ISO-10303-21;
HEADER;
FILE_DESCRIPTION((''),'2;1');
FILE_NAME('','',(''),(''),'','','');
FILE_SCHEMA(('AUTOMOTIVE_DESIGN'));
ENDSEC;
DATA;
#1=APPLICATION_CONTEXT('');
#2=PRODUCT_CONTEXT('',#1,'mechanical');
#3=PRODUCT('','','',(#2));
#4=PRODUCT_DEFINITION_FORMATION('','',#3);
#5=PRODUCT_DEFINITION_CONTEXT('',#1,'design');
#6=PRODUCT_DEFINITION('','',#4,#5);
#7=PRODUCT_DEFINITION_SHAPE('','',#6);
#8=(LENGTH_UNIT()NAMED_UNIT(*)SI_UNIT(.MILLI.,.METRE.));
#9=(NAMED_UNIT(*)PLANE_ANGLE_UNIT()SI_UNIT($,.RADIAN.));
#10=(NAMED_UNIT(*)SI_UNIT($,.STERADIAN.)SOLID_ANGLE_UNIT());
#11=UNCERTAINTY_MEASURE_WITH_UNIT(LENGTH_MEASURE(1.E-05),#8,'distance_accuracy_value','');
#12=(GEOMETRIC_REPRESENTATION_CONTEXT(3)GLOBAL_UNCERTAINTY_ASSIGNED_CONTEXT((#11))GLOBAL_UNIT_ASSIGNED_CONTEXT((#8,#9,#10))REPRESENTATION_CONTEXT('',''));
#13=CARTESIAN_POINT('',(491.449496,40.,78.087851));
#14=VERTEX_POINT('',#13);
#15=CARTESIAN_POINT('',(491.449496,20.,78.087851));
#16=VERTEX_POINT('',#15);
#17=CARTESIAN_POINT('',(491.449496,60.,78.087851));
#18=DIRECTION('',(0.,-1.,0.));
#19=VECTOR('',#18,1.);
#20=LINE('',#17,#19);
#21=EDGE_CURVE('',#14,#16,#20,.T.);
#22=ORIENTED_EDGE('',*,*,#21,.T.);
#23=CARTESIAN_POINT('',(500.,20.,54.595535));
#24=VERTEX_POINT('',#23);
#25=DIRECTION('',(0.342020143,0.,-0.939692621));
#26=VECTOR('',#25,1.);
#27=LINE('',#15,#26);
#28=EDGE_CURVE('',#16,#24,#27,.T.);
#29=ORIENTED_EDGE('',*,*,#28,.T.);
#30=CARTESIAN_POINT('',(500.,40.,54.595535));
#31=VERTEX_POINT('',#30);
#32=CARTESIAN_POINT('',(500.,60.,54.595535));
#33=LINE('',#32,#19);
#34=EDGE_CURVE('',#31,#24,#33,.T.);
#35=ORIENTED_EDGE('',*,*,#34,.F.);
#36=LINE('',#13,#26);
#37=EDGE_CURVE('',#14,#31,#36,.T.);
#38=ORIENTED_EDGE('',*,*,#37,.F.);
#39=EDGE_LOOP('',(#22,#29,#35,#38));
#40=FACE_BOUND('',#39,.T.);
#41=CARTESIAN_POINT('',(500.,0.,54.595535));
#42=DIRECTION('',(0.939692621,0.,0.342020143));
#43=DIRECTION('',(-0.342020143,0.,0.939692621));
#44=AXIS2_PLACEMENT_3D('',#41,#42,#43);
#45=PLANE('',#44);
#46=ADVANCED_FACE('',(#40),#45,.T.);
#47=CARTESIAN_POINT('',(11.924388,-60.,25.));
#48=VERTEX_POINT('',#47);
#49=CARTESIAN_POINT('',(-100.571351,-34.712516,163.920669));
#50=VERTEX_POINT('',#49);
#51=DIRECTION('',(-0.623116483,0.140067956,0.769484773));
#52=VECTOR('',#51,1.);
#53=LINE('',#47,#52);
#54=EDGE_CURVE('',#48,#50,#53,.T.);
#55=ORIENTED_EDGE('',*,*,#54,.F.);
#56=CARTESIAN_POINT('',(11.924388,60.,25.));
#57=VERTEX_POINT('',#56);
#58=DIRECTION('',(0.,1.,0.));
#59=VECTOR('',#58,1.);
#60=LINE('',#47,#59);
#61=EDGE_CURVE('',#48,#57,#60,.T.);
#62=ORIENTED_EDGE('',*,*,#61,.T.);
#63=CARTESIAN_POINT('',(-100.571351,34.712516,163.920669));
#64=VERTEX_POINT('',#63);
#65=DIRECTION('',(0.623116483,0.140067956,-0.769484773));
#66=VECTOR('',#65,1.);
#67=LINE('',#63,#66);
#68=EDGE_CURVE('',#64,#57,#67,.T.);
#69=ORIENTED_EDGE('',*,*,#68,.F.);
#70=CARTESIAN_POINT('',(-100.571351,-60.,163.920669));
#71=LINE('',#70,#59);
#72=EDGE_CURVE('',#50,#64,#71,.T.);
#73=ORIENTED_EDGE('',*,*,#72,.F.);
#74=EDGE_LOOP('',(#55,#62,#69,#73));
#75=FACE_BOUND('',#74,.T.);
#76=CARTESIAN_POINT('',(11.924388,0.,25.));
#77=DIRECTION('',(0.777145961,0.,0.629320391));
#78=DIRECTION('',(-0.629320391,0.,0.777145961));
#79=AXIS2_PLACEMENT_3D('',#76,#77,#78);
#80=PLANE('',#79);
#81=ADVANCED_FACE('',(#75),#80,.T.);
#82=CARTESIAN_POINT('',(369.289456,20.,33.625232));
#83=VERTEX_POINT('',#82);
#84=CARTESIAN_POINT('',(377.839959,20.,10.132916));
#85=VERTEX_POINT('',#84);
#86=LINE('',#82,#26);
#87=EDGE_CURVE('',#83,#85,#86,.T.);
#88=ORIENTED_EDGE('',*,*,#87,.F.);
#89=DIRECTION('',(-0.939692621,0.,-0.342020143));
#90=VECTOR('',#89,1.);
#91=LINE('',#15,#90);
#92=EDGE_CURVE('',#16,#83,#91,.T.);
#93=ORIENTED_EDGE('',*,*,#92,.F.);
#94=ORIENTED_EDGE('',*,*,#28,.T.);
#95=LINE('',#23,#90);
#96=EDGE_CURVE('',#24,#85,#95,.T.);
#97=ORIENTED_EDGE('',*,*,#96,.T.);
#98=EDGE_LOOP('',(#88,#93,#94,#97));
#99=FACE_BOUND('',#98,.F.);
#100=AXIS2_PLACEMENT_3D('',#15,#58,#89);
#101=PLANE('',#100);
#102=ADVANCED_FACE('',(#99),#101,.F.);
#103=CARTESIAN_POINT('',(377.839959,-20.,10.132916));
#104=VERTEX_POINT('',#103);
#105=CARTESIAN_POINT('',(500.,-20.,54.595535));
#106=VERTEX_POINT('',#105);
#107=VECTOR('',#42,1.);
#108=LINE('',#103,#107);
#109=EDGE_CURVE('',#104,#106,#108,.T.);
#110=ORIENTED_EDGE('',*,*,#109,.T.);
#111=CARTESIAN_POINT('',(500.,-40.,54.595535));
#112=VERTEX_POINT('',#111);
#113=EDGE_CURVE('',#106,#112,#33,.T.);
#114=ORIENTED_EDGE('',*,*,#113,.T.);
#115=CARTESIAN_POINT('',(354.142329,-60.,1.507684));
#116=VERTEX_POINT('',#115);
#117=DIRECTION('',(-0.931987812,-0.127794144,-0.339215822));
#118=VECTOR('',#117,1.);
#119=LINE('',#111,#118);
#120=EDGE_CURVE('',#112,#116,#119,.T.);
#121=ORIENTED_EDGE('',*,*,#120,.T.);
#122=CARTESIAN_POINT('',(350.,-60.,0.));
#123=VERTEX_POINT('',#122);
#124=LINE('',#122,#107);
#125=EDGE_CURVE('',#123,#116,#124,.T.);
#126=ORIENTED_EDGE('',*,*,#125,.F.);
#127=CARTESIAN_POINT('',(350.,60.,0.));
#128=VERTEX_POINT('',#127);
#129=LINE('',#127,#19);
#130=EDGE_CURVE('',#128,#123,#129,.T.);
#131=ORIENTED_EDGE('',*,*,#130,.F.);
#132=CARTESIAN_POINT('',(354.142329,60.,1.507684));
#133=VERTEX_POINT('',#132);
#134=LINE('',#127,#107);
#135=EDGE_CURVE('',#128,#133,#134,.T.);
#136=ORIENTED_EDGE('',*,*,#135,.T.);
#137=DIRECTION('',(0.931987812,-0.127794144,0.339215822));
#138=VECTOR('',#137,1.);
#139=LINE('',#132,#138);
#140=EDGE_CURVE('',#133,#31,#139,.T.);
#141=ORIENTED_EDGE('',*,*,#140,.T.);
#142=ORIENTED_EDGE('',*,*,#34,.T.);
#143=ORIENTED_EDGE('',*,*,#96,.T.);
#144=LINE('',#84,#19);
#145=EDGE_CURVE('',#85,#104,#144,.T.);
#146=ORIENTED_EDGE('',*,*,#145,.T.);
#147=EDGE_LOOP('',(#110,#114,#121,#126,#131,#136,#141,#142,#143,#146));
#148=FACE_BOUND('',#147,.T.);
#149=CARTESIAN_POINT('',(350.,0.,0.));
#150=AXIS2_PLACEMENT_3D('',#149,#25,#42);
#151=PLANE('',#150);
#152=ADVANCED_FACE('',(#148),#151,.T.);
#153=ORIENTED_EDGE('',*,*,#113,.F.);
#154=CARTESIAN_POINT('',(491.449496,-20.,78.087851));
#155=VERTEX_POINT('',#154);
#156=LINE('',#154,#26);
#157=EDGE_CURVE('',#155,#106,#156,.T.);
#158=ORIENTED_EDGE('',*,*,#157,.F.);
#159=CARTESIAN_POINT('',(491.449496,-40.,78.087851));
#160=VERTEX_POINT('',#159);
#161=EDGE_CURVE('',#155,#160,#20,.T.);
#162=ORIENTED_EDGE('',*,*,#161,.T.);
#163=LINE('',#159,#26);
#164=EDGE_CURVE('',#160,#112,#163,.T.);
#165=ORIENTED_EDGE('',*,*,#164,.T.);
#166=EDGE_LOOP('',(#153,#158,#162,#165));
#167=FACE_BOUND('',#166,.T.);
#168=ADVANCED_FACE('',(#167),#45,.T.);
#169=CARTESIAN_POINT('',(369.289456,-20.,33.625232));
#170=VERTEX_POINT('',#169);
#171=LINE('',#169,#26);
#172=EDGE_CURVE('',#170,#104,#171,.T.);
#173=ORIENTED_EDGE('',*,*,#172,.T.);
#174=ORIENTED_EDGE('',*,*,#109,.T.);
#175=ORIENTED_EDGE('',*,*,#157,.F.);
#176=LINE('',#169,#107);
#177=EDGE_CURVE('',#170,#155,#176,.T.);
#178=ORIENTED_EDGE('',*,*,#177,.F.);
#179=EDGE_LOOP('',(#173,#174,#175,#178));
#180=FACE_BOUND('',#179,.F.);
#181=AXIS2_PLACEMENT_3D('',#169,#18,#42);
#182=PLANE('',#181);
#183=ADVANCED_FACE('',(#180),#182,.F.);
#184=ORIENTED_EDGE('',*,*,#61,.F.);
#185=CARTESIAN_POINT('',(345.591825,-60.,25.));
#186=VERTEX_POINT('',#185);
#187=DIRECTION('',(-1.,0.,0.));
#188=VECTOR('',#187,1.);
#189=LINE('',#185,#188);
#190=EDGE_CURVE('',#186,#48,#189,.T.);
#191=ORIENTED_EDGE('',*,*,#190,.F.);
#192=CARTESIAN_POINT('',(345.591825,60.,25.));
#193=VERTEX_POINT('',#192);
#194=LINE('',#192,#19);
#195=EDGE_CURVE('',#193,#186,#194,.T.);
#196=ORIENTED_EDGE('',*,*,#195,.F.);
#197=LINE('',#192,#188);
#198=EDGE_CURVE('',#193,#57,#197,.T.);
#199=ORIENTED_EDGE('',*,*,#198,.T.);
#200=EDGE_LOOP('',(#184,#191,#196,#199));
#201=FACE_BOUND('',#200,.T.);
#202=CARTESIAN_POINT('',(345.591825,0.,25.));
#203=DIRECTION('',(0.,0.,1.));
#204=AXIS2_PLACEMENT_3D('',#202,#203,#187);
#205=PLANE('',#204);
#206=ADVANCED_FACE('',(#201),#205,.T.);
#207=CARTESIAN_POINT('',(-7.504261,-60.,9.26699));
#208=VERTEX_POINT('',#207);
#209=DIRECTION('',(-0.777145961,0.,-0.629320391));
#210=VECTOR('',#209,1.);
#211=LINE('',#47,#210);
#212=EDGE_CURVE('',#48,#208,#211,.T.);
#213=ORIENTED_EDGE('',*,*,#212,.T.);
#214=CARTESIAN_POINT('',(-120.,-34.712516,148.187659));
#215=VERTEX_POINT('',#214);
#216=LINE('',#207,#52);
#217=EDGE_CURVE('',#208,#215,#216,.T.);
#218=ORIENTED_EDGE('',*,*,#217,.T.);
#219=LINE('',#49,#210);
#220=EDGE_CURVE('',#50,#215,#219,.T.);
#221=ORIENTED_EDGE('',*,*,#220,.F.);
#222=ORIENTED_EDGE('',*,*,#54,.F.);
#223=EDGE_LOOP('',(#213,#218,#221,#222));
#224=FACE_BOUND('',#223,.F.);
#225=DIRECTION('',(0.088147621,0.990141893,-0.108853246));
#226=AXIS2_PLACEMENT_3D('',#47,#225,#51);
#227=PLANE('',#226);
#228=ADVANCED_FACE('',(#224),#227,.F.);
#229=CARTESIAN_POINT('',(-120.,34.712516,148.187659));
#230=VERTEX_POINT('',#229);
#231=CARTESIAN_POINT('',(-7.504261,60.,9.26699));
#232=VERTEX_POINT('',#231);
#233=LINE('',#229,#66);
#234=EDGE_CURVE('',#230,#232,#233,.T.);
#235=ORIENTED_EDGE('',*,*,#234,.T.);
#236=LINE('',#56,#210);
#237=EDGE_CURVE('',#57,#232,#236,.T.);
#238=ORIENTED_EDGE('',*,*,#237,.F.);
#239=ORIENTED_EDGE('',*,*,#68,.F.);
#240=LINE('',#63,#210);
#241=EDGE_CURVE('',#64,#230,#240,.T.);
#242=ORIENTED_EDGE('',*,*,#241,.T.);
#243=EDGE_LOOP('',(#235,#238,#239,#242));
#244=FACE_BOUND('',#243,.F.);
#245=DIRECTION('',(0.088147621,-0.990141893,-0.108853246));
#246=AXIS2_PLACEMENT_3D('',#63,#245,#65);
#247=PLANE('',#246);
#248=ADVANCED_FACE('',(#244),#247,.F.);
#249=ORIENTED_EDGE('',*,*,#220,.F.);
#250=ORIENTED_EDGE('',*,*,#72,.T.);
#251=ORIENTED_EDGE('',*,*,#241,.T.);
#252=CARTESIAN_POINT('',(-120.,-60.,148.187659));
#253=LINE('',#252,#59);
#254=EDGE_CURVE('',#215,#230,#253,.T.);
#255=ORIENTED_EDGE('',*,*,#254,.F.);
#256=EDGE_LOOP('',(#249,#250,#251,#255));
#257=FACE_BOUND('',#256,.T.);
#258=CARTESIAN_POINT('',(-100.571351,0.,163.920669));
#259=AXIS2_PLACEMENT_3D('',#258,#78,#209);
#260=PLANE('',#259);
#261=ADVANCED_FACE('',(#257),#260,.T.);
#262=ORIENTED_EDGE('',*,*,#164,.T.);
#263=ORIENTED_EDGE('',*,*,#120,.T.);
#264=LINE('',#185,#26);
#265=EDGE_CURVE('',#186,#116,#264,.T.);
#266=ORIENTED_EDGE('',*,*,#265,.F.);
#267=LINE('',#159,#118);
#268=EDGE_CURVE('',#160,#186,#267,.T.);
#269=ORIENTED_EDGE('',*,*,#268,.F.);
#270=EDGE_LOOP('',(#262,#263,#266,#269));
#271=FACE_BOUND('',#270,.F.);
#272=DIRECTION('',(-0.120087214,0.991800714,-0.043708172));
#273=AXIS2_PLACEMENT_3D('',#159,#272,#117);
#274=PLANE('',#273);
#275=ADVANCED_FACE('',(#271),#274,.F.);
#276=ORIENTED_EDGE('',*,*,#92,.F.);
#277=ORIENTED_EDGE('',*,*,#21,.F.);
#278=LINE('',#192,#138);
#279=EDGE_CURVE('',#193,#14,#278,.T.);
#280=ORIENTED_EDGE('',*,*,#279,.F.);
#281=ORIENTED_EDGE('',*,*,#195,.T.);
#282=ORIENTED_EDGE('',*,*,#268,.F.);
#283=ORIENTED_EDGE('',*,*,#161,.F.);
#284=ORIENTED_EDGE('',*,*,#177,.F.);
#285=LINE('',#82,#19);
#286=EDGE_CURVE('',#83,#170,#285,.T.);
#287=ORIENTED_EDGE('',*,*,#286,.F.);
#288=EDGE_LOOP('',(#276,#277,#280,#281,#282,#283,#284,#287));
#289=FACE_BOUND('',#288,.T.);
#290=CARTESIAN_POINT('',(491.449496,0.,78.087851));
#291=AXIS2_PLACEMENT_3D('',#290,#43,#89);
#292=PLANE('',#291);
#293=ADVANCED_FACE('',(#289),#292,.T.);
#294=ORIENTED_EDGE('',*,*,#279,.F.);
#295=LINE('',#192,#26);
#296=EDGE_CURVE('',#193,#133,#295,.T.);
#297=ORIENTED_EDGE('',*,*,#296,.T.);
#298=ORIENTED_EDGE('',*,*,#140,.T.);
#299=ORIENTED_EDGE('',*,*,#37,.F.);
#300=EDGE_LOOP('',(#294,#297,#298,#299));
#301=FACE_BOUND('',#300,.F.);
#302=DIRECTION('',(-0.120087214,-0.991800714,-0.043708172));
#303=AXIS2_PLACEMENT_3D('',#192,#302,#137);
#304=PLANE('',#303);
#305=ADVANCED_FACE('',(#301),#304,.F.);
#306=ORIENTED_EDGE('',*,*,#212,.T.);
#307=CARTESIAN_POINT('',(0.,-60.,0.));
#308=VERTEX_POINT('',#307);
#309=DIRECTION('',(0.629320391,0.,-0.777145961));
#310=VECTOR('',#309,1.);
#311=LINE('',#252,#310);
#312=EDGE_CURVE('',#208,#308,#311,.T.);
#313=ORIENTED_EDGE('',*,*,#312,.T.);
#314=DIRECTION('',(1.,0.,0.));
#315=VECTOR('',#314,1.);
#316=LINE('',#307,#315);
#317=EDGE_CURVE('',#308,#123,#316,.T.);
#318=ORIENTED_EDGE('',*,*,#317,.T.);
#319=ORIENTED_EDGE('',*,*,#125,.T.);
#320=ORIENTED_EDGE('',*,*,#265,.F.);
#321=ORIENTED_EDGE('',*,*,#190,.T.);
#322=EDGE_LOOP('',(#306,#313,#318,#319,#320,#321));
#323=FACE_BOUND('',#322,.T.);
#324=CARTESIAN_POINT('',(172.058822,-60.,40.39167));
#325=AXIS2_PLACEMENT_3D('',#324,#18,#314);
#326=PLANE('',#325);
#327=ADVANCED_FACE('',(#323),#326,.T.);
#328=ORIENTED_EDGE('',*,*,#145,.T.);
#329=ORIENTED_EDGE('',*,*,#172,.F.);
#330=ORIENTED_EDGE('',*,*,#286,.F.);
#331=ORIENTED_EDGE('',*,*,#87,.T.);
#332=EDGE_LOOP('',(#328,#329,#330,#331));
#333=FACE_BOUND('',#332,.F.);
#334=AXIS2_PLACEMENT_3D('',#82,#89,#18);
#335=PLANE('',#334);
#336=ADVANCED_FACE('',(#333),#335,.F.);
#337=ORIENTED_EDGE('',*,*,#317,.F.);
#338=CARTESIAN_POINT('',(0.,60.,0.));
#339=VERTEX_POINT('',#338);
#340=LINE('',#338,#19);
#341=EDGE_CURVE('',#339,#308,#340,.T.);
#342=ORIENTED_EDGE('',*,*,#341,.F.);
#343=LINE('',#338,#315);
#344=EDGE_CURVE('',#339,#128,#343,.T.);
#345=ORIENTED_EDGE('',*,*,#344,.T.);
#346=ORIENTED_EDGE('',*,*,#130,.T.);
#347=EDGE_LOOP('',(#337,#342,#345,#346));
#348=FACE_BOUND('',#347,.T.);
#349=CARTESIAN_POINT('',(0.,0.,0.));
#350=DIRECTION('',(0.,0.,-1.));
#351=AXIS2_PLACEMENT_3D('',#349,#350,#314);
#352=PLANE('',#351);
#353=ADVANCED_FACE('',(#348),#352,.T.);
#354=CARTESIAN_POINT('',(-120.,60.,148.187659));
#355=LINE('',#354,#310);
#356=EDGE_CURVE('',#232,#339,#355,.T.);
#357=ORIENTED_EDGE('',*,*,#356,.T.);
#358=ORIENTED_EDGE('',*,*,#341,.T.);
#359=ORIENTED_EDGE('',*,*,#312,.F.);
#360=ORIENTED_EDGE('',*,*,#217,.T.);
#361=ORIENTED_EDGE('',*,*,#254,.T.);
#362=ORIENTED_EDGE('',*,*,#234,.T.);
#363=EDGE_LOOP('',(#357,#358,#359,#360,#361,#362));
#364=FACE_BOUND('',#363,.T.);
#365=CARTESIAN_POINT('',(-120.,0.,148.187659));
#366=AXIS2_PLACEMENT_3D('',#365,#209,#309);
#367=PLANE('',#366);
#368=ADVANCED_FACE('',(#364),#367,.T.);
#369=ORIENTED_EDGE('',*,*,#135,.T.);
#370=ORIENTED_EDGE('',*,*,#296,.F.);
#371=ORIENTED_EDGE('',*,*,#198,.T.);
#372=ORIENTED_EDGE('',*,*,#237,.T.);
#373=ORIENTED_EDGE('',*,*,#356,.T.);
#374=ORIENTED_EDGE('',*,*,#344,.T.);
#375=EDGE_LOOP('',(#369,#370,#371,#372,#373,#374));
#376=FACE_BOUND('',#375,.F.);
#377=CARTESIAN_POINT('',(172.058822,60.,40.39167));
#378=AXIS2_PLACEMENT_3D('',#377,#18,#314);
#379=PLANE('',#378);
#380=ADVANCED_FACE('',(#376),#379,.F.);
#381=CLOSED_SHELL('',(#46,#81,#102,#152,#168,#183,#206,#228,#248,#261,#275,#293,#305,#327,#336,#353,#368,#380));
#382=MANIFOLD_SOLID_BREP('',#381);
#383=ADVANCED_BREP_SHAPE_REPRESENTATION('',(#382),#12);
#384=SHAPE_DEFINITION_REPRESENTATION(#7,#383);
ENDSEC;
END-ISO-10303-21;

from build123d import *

# Parameters (mm, degrees)
F1_DEPTH = 60
F3_DEPTH = 25
F5_DEPTH = 25


with BuildPart() as f1:
    # F0 (on Front) → F1 (new body, symmetric)
    with BuildSketch(Plane.XZ):
        Polygon((-120, 148.1876587842), (0, 0), (350, 0), (500, 54.5955351399), (491.4494964169, 78.0878506596), (345.5918254823, 25), (11.9243883175, 25), (-100.5713509636, 163.9206685605), align=None)
    extrude(amount=F1_DEPTH, both=True)

    # F2 (on face) → F3 (cut)
    with BuildSketch(Plane(origin=(19.4286490364, 0, 15.7330097762), x_dir=(0, 1, 0), z_dir=(0.7771459615, 0, 0.629320391))):
        Polygon((-60, 190.6818874879), (-60, 11.9243883175), (-34.7125157714, 190.6818874879), align=None)
        Polygon((34.7125157714, 190.6818874879), (60, 11.9243883175), (60, 190.6818874879), align=None)
    extrude(amount=-F3_DEPTH, mode=Mode.SUBTRACT)

    # F4 (on face) → F5 (cut)
    with BuildSketch(Plane(origin=(32.391718871, 0, -88.9955161755), x_dir=(0.9396926208, 0, 0.3420201433), z_dir=(-0.3420201433, 0, 0.9396926208))):
        Polygon((488.5190831465, 60), (333.3005917928, 60), (488.5190831465, 40), align=None)
        Polygon((358.5190831465, -20), (488.5190831465, -20), (488.5190831465, 20), (358.5190831465, 20), (358.5190831465, 0), align=None)
        Polygon((488.5190831465, -40), (333.3005917928, -60), (488.5190831465, -60), align=None)
    extrude(amount=-F5_DEPTH, mode=Mode.SUBTRACT)


solid = f1.part
